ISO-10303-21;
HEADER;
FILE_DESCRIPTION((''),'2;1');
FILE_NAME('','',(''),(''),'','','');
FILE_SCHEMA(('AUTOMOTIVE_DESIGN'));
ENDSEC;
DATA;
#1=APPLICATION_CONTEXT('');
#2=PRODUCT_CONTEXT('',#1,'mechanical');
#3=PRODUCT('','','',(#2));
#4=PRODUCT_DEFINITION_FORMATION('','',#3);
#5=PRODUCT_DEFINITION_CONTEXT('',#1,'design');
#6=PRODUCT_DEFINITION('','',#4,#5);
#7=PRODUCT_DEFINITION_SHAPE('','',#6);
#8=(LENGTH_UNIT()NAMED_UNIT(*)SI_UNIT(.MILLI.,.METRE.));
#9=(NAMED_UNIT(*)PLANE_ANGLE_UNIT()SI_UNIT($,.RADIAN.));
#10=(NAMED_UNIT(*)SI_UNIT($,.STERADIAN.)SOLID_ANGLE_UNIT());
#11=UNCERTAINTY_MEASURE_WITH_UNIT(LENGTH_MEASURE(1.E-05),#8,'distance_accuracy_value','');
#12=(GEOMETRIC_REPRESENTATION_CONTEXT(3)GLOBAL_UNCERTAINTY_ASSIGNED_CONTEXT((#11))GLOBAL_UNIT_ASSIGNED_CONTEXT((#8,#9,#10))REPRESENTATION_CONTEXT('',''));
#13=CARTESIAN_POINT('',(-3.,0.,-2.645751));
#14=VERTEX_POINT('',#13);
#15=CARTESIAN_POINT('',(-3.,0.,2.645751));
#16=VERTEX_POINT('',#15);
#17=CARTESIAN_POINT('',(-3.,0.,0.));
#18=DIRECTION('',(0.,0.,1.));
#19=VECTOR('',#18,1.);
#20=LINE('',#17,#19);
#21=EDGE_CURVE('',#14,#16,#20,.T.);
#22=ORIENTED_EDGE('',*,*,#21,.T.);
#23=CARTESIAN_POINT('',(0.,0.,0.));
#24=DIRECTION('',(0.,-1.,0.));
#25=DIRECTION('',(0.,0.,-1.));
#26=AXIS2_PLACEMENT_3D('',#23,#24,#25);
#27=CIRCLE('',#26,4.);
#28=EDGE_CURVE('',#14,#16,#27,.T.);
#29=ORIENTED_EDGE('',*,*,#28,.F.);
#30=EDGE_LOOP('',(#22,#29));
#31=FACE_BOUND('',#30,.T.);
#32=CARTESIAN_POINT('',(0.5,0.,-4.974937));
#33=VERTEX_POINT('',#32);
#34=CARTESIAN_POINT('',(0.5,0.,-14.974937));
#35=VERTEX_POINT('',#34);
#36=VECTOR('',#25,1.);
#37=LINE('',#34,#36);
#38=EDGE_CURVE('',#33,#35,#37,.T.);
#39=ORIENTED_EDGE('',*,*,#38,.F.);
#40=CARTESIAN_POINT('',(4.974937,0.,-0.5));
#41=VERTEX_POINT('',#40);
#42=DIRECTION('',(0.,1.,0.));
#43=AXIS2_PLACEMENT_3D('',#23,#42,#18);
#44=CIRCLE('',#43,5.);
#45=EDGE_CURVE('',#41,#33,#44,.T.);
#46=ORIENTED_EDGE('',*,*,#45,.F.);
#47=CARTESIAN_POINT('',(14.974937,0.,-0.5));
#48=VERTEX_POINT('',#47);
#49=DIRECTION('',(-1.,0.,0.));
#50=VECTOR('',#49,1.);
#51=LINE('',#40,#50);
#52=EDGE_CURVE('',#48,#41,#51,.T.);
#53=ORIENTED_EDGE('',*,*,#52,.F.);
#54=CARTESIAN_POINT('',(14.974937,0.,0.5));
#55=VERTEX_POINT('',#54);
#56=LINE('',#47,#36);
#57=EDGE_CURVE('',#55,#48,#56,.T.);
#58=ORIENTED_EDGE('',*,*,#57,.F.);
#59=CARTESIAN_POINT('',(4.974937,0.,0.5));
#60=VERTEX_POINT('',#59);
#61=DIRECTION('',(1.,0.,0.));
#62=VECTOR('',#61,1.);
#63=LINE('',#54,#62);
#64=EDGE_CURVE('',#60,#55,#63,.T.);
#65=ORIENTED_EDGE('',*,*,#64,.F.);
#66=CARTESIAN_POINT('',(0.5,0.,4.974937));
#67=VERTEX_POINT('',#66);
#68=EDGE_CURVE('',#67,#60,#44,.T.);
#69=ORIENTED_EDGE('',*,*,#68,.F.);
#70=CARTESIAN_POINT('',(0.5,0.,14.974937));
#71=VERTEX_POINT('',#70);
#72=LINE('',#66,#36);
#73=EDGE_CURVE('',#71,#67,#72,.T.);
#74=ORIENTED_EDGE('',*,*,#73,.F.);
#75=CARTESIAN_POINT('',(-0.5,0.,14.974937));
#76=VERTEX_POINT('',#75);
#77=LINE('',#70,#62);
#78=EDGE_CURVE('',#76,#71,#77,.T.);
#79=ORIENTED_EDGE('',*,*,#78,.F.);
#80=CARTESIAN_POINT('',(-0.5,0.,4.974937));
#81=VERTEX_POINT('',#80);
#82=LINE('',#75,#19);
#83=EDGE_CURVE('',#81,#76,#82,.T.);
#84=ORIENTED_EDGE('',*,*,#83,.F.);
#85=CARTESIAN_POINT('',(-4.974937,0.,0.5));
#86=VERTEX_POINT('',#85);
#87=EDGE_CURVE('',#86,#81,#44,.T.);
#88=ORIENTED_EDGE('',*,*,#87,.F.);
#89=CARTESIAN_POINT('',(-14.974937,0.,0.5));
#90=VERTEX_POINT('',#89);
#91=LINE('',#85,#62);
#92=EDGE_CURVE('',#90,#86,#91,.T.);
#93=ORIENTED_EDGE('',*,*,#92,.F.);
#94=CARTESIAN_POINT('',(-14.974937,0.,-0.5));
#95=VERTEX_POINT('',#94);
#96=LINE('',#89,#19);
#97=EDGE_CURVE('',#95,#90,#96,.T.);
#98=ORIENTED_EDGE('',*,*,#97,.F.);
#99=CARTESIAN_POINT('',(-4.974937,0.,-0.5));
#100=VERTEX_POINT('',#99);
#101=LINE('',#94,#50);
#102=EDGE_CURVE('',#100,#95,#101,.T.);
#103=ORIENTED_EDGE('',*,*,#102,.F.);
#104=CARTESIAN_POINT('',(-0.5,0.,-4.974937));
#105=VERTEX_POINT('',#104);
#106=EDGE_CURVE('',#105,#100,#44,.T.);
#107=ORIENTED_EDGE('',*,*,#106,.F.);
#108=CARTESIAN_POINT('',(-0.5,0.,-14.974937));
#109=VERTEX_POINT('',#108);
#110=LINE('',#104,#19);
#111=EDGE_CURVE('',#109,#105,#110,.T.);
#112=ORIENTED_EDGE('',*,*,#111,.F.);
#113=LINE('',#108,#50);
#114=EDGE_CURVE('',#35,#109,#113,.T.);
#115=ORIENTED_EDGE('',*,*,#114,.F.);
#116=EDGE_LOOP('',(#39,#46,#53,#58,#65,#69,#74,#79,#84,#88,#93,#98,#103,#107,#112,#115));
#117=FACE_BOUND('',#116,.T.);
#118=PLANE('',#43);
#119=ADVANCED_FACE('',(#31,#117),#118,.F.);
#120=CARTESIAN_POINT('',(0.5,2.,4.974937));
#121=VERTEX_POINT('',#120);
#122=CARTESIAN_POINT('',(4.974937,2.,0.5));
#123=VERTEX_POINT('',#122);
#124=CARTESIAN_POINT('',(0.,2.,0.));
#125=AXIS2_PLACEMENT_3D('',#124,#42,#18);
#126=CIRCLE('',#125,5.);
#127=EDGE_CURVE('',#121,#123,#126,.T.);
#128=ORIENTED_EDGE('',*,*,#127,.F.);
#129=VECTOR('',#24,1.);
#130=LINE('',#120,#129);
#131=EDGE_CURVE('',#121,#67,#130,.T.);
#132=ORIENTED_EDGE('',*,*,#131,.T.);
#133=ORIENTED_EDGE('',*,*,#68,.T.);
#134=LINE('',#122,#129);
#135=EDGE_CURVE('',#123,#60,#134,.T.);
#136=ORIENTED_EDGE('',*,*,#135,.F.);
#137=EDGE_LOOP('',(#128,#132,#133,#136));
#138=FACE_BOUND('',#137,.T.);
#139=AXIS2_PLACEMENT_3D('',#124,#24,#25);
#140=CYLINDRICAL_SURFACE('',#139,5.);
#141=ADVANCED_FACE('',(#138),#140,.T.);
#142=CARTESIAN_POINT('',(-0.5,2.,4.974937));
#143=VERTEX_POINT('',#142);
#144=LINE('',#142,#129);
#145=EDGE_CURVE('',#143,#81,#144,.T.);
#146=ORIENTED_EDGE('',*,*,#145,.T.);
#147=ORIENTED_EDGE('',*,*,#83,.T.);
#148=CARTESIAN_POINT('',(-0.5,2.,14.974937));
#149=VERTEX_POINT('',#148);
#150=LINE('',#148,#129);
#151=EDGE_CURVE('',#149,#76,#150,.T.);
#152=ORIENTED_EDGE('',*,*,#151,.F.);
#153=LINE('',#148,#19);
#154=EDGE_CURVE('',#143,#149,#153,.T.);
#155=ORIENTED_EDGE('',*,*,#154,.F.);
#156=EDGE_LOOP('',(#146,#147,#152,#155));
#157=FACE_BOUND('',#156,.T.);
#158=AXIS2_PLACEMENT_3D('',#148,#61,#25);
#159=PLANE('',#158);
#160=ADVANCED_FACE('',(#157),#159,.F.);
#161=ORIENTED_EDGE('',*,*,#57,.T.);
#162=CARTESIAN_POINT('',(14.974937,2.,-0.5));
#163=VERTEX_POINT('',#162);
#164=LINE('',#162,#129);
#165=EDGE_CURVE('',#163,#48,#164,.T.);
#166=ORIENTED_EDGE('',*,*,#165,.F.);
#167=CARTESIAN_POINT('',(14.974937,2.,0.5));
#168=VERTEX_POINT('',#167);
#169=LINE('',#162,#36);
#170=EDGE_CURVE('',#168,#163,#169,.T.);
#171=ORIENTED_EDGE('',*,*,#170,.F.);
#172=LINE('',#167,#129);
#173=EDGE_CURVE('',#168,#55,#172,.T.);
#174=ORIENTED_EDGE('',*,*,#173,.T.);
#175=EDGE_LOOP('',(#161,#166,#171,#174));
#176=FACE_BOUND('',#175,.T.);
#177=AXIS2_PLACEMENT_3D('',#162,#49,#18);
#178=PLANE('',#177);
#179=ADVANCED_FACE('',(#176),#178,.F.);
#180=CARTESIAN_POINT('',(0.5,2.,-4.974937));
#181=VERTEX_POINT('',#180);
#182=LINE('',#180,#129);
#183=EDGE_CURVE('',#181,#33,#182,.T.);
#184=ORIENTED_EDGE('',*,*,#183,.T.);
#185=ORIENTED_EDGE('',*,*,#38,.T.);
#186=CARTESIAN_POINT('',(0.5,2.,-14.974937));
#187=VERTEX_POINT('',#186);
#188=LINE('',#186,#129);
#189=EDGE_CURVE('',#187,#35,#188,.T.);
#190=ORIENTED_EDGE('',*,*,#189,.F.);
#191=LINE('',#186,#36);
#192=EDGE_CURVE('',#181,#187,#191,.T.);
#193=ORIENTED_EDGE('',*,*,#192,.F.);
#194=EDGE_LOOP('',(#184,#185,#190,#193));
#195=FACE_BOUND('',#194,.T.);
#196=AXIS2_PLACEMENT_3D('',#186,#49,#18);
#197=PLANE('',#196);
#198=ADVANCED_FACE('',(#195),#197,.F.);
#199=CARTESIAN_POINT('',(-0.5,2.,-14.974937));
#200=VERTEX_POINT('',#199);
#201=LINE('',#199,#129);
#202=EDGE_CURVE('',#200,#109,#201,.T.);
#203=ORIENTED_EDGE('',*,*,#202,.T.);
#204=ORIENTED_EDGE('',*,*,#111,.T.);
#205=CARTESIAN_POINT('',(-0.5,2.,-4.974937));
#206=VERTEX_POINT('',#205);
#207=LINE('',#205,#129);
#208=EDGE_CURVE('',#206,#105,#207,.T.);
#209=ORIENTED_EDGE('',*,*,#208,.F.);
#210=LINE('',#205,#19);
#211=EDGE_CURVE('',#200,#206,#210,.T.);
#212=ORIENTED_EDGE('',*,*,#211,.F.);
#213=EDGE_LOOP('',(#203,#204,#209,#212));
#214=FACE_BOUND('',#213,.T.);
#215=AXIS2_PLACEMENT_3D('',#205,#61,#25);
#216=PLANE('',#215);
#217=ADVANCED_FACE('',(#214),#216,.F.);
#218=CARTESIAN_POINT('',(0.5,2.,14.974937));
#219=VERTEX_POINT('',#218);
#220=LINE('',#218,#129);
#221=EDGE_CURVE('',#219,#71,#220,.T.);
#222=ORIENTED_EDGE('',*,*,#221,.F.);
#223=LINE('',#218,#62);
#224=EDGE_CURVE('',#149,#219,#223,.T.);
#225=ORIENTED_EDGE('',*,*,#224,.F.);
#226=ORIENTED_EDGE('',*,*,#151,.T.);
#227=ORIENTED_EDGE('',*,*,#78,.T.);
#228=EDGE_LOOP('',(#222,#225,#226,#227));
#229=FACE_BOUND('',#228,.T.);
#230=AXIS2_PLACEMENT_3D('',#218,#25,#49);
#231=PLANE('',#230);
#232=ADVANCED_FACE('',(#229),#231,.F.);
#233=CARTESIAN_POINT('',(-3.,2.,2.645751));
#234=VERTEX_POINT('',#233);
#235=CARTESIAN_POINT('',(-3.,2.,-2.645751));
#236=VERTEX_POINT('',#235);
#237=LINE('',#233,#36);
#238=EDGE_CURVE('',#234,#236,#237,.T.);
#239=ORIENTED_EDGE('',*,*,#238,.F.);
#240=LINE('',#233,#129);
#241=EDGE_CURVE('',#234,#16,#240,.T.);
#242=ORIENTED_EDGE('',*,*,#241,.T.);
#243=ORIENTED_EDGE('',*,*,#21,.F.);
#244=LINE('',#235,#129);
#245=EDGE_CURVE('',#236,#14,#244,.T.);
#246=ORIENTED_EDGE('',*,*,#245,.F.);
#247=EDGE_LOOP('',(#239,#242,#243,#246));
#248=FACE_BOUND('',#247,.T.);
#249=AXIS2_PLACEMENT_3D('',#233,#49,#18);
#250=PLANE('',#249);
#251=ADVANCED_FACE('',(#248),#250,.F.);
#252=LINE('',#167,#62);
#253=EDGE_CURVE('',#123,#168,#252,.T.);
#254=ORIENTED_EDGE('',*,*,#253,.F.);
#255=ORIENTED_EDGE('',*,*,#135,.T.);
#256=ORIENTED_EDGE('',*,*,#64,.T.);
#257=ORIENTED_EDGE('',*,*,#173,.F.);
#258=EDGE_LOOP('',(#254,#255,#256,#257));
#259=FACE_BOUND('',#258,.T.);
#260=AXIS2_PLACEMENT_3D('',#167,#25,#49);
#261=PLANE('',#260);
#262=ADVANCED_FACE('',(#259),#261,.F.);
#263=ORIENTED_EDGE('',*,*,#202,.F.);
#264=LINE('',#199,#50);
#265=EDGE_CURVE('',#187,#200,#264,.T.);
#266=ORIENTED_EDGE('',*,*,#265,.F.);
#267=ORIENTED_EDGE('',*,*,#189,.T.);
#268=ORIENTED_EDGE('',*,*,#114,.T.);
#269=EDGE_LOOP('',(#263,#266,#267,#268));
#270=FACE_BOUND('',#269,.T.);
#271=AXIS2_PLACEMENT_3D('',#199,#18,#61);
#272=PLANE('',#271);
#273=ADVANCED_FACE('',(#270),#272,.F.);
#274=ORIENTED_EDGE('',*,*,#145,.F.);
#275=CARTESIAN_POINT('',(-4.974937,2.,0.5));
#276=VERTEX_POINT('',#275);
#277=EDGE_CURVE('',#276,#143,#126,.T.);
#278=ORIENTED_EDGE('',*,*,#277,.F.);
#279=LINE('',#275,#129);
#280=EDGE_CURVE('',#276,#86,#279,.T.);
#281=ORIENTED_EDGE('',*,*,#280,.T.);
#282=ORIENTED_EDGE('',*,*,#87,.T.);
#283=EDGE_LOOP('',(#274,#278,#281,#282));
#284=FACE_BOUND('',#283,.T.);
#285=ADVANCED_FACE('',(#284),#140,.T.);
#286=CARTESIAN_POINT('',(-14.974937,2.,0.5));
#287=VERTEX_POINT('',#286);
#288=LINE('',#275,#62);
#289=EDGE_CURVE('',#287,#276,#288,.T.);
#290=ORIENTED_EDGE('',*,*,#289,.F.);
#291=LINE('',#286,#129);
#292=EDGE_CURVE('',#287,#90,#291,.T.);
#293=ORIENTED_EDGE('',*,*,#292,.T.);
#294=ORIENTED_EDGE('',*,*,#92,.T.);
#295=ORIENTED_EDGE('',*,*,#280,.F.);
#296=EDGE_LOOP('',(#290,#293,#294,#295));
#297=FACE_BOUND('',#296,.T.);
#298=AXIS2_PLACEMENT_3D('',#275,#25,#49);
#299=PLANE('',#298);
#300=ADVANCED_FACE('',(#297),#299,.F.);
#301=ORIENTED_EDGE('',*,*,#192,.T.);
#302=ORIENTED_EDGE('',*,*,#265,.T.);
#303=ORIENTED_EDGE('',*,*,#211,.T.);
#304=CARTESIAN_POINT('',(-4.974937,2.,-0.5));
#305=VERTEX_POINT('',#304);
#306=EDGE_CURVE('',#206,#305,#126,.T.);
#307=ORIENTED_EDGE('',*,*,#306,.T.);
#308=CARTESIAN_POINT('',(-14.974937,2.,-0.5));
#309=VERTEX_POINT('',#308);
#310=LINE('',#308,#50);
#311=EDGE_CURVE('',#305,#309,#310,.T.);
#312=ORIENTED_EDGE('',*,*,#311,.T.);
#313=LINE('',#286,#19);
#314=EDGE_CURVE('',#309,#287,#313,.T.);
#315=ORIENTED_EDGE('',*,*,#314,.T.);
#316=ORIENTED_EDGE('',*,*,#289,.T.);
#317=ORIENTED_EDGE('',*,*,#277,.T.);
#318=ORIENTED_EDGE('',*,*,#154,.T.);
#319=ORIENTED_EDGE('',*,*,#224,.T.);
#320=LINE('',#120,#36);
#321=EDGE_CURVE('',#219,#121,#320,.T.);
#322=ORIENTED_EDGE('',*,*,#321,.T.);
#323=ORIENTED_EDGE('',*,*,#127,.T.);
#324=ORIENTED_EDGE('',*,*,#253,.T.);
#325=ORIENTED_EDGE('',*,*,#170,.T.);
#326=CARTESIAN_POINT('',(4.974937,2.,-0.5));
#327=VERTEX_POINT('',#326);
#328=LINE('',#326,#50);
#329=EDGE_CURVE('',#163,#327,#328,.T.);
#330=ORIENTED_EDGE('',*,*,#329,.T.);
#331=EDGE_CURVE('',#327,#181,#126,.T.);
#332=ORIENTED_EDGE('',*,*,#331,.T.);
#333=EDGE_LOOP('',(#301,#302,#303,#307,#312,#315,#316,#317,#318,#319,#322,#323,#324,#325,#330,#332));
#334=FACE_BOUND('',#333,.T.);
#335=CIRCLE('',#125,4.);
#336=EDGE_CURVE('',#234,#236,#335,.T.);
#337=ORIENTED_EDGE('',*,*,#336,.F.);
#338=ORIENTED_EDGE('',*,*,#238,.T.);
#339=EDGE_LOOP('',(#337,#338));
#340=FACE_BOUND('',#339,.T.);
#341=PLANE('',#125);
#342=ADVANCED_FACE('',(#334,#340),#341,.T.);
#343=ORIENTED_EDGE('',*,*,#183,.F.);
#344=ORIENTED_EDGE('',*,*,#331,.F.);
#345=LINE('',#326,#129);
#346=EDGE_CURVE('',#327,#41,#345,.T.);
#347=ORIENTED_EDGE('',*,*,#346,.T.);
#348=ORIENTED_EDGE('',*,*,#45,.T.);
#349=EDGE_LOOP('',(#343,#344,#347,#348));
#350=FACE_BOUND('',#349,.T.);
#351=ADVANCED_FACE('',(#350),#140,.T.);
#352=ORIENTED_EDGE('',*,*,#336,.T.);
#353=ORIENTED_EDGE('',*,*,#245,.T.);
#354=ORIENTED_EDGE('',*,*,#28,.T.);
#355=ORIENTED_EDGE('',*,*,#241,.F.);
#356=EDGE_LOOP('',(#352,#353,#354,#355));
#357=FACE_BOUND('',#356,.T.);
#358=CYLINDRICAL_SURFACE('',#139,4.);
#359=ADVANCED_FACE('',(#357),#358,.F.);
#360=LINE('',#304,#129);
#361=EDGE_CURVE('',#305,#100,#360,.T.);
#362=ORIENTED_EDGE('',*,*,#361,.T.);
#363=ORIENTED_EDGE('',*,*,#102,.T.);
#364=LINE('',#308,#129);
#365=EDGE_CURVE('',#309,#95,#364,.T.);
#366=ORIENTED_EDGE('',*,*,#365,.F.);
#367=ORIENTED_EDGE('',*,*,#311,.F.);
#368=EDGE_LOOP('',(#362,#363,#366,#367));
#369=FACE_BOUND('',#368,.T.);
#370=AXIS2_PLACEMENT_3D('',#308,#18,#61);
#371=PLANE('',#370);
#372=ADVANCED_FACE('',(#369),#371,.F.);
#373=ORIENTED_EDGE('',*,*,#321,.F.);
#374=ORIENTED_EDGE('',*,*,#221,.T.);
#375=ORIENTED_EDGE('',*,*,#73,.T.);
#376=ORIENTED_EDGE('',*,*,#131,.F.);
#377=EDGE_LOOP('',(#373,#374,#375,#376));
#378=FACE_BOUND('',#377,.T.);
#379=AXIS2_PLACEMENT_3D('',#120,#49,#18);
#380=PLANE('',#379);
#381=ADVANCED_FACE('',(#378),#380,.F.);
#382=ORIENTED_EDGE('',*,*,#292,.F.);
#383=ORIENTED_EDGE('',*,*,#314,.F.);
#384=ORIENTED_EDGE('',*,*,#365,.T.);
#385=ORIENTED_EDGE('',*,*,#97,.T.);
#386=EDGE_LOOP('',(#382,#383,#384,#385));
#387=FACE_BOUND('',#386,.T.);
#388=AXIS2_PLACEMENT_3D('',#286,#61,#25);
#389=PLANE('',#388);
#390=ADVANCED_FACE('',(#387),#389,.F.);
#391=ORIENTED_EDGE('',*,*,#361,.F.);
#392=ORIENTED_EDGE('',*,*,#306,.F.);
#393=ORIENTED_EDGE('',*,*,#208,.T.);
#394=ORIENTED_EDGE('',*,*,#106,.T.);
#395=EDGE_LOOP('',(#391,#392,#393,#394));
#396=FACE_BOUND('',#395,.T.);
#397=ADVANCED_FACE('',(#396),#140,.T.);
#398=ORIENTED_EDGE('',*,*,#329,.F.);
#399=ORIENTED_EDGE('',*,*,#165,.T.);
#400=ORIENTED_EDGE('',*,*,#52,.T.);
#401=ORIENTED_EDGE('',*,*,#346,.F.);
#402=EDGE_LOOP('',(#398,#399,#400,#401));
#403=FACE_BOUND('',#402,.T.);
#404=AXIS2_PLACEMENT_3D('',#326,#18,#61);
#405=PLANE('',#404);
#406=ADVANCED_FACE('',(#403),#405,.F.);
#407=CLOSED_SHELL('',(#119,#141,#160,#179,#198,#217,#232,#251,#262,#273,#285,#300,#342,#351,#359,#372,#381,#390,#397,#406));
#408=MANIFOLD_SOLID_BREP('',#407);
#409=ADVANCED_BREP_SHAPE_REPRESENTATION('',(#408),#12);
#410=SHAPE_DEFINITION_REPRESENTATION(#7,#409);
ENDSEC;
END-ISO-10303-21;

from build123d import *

# Parameters (mm, degrees)
BOSS_EXTRUDE1_DEPTH     = 2
CUT_EXTRUDE1_DEPTH      = 22.271988328
CUT_EXTRUDE1_DEPTH_BACK = 22.271988328


with BuildPart() as part:
    # Sketch1 → Boss-Extrude1 (new body)
    with BuildSketch(Plane(origin=(0, 0, 0), x_dir=(1, 0, 0), z_dir=(0, 1, 0))):
        with BuildLine():
            Line((-0.5, 4.974937186), (-0.5, 14.974937186))
            Line((-0.5, 14.974937186), (0.5, 14.974937186))
            Line((0.5, 14.974937186), (0.5, 4.974937186))
            ThreePointArc((0.5, 4.974937186), (3.535533906, 3.535533906), (4.974937186, 0.5))
            Line((4.974937186, 0.5), (14.974937186, 0.5))
            Line((14.974937186, 0.5), (14.974937186, -0.5))
            Line((14.974937186, -0.5), (4.974937186, -0.5))
            ThreePointArc((4.974937186, -0.5), (3.535533906, -3.535533906), (0.5, -4.974937186))
            Line((0.5, -4.974937186), (0.5, -14.974937186))
            Line((0.5, -14.974937186), (-0.5, -14.974937186))
            Line((-0.5, -14.974937186), (-0.5, -4.974937186))
            ThreePointArc((-0.5, -4.974937186), (-3.535533906, -3.535533906), (-4.974937186, -0.5))
            Line((-4.974937186, -0.5), (-14.974937186, -0.5))
            Line((-14.974937186, -0.5), (-14.974937186, 0.5))
            Line((-14.974937186, 0.5), (-4.974937186, 0.5))
            ThreePointArc((-4.974937186, 0.5), (-3.535533906, 3.535533906), (-0.5, 4.974937186))
        make_face()
    extrude(amount=BOSS_EXTRUDE1_DEPTH)

    # Sketch2 → Cut-Extrude1 (cut, two sides: drawn at the far end of the back side and taken through both)
    with BuildSketch(Plane(origin=(0, 0, 0), x_dir=(1, 0, 0), z_dir=(0, 1, 0)).offset(-CUT_EXTRUDE1_DEPTH_BACK)):
        with BuildLine():
            Line((-3, -2.645751311), (-3, 2.645751311))
            ThreePointArc((-3, 2.645751311), (4, 0), (-3, -2.645751311))
        make_face()
    extrude(amount=CUT_EXTRUDE1_DEPTH + CUT_EXTRUDE1_DEPTH_BACK, mode=Mode.SUBTRACT)


solid = part.part
